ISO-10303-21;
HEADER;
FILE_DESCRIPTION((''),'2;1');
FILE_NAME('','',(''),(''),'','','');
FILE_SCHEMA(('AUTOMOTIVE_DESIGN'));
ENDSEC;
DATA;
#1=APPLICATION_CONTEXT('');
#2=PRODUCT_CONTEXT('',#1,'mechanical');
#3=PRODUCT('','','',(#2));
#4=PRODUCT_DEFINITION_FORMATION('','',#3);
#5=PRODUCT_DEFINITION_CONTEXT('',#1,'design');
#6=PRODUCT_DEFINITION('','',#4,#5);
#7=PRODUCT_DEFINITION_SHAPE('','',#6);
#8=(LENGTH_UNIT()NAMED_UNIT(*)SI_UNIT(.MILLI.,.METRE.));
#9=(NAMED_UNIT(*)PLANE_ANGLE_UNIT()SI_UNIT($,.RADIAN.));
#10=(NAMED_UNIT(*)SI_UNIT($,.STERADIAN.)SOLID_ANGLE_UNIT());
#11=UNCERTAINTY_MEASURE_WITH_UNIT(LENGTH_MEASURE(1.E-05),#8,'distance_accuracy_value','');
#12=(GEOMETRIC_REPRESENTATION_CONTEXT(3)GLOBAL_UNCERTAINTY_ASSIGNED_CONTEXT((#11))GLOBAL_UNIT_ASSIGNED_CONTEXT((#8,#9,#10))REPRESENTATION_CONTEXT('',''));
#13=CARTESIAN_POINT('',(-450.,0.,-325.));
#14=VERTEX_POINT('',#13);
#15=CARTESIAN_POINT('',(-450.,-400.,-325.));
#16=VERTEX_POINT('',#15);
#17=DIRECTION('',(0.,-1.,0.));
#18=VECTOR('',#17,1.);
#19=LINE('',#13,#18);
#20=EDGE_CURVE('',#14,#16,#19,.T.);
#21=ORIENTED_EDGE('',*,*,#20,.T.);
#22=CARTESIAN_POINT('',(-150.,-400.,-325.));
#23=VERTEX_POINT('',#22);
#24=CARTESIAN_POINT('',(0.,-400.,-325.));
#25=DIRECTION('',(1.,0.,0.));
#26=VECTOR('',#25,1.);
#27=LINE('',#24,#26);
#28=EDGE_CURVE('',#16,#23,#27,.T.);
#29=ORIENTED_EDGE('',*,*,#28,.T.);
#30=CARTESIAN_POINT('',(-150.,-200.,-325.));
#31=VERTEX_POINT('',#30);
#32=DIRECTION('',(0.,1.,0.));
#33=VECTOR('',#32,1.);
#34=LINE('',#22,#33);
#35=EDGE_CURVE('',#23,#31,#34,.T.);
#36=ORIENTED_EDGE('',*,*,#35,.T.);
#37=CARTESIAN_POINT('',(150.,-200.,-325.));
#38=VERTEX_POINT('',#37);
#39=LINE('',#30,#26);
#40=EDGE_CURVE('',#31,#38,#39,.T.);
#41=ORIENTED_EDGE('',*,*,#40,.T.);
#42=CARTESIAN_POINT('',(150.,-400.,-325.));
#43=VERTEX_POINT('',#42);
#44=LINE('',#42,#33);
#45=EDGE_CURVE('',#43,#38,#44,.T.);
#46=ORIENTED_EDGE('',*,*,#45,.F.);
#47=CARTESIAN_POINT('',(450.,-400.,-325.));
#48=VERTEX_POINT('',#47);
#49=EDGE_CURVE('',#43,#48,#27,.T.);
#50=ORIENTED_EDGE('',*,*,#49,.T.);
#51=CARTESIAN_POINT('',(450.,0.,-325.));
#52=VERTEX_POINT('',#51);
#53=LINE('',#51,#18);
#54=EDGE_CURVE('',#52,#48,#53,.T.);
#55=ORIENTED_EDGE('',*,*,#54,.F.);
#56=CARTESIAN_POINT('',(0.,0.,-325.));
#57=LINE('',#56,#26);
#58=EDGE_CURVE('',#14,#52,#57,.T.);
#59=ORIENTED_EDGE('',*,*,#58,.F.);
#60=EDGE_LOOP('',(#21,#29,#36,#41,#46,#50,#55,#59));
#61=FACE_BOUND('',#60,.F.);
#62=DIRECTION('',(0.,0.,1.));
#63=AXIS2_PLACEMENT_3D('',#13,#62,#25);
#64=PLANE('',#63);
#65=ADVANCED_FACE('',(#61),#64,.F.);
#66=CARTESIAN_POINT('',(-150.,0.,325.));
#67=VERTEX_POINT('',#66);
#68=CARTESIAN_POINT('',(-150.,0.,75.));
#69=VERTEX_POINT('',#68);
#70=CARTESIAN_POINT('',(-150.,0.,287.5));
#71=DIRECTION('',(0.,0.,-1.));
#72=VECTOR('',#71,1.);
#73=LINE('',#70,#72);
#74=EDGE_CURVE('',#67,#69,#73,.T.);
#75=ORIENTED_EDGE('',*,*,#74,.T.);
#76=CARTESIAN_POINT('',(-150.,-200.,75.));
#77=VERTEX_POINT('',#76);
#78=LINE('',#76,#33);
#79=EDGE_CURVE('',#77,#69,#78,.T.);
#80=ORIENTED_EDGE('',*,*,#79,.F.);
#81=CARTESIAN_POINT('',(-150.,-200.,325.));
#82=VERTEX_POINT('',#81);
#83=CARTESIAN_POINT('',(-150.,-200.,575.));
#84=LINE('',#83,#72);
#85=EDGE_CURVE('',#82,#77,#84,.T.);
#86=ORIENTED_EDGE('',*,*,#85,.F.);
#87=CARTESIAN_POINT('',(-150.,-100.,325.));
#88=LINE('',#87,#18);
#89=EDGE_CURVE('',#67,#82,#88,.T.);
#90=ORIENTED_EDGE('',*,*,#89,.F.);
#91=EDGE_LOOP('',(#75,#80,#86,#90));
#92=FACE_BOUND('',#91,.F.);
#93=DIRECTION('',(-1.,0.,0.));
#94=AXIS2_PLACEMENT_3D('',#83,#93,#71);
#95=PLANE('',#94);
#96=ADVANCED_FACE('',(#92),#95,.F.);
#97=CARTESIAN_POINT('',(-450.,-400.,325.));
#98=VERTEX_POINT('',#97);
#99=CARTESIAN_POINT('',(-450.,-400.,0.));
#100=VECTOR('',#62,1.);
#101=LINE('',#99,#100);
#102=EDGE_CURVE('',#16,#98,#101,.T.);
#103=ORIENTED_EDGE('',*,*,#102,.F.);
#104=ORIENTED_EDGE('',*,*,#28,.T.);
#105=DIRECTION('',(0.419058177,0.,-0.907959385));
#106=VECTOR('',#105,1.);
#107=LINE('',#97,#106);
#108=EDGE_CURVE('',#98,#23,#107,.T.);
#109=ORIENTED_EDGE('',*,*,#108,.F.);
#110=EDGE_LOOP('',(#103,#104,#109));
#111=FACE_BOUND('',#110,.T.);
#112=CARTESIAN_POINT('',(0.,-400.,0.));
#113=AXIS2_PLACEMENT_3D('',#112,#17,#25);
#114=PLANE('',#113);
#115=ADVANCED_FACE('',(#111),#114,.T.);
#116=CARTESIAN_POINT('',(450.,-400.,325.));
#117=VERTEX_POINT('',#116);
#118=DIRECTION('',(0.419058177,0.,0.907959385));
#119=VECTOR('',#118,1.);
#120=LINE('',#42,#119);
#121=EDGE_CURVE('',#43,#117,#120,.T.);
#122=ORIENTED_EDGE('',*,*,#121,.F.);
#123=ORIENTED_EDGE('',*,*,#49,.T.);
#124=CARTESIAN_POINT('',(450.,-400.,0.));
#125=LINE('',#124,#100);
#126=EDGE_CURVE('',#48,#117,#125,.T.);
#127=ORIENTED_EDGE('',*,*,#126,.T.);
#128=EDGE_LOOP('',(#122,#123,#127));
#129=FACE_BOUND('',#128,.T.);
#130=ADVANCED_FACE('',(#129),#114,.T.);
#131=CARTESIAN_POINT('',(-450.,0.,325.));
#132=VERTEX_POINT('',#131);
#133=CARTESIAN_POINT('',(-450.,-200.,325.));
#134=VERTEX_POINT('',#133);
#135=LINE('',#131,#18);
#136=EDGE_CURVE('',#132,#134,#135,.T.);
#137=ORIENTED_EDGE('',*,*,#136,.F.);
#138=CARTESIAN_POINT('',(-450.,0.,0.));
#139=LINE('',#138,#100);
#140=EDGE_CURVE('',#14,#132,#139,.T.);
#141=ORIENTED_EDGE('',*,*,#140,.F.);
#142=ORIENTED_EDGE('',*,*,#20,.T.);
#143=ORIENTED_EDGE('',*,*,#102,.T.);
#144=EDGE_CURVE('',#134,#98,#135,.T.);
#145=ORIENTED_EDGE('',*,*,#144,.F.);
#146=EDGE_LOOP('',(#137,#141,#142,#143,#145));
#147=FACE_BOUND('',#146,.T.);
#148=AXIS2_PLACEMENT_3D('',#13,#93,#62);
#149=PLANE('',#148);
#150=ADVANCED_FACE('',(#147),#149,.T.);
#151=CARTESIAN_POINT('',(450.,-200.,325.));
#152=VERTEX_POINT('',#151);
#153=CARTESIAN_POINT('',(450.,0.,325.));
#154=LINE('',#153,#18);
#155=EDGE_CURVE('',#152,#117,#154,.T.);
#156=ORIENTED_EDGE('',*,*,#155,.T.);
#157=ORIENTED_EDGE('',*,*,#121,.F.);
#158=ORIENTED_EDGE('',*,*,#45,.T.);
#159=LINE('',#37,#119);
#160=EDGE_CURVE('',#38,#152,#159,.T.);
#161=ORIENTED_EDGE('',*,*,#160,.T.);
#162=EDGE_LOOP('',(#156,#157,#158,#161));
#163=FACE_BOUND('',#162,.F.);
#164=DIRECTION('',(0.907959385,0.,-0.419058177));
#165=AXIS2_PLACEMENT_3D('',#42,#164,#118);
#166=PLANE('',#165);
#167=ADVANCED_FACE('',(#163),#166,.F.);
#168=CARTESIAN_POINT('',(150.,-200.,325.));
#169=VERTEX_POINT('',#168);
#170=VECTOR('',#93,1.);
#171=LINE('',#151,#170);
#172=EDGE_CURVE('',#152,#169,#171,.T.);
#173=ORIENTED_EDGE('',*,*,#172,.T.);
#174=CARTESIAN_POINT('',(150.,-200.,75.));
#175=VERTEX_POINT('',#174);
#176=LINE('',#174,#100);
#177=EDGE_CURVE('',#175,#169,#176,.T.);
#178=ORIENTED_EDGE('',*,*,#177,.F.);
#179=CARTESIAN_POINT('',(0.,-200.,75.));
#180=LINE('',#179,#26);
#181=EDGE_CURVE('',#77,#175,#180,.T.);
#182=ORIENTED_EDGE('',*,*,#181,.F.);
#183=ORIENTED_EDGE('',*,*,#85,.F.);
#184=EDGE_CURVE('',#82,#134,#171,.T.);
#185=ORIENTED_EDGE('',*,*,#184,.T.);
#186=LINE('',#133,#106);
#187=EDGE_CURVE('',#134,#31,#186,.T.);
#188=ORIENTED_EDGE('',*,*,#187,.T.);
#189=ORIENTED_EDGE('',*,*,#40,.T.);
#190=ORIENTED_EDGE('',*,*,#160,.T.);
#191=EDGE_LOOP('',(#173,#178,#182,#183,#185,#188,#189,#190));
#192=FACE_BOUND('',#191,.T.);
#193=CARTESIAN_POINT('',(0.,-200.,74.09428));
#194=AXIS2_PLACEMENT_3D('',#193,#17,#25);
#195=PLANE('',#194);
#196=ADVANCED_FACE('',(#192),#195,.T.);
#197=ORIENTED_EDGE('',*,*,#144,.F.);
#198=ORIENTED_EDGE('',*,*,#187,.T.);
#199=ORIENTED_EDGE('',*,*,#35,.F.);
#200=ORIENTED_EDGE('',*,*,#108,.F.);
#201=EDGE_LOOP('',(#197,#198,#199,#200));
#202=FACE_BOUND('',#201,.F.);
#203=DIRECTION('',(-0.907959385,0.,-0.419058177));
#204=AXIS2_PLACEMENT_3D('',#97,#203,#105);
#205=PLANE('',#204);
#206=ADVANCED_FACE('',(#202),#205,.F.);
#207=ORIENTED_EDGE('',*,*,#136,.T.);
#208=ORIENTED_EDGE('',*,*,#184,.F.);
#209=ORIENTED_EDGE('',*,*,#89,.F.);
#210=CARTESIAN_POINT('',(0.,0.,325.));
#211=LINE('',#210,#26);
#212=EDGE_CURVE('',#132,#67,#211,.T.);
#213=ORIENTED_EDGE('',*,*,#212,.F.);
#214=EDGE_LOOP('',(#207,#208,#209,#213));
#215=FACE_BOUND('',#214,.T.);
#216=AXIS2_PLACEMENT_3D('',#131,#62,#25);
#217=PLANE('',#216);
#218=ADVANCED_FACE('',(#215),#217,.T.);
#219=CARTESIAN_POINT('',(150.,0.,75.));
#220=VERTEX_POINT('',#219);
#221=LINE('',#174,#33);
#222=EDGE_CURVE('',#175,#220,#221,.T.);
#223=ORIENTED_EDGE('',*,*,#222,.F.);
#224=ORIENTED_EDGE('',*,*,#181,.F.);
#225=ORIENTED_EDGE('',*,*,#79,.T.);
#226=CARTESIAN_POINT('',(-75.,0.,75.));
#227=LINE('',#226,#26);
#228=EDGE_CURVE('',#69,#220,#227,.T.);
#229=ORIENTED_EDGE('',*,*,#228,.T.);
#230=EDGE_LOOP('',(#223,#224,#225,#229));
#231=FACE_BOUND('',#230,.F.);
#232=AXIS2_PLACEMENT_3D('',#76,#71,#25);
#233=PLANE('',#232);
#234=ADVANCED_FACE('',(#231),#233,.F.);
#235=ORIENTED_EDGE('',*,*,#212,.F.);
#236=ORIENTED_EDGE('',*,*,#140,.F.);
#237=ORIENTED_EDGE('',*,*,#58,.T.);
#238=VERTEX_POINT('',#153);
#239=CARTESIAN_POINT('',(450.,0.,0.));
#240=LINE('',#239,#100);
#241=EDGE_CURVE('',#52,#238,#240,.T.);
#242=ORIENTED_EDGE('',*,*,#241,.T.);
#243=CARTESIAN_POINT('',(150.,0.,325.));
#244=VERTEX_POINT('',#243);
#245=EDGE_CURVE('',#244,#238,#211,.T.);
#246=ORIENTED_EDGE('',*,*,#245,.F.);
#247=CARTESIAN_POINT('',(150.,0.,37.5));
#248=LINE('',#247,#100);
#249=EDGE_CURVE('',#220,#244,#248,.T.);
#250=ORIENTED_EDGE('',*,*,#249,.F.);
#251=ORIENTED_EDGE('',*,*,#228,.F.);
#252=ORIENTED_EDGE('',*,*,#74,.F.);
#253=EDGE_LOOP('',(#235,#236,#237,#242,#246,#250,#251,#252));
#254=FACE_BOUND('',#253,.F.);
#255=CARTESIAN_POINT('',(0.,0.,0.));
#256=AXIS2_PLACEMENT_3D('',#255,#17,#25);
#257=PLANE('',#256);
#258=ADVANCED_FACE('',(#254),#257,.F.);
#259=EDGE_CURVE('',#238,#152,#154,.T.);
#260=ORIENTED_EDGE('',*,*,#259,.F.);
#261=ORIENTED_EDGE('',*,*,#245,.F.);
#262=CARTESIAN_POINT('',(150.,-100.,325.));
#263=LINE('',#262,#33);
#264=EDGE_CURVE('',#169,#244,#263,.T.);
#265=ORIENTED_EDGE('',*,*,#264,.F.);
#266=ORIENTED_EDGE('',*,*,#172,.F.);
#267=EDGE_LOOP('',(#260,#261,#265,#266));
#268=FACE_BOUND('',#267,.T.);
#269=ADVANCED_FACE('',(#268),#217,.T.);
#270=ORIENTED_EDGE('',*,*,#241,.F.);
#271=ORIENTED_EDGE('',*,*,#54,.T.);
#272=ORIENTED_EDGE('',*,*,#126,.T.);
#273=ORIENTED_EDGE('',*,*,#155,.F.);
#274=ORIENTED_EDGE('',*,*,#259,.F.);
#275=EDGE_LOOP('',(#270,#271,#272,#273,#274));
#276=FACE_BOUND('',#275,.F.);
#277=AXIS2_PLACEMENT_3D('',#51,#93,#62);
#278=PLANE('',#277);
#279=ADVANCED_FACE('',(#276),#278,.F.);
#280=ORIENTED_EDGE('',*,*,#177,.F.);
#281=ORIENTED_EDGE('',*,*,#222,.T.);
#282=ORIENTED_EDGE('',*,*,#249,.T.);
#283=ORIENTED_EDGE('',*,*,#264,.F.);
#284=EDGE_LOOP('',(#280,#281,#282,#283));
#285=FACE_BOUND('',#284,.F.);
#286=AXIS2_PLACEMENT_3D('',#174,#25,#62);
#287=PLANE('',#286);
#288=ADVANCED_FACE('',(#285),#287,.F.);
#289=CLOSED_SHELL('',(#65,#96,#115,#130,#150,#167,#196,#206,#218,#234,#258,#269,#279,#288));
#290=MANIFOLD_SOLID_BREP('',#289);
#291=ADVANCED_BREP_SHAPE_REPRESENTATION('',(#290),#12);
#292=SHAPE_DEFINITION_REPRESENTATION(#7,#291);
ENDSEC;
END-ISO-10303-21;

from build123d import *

# Parameters (mm, degrees)
F0_W     = 900
F0_H     = 650
F1_DEPTH = 400
F3_DEPTH = 200
F4_W     = 300
F4_H     = 250
F5_DEPTH = 200.001


with BuildPart() as f1:
    # F0 (on Front) → F1 (new body)
    with BuildSketch(Plane.XZ):
        Rectangle(F0_W, F0_H)
    extrude(amount=F1_DEPTH)

    # F2 (on face) → F3 (cut)
    with BuildSketch(Plane.XZ.offset(400)):
        Polygon((450, 325), (-450, 325), (-150, -325), (150, -325), align=None)
    extrude(amount=-F3_DEPTH, mode=Mode.SUBTRACT)

    # F4 (on face) → F5 (cut, through all)
    with BuildSketch(Plane.XZ.offset(200)):
        with Locations((0, 200)):
            Rectangle(F4_W, F4_H)
        with Locations((0, 450)):
            Rectangle(F4_W, F4_H)
    extrude(amount=-F5_DEPTH, mode=Mode.SUBTRACT)


solid = f1.part
